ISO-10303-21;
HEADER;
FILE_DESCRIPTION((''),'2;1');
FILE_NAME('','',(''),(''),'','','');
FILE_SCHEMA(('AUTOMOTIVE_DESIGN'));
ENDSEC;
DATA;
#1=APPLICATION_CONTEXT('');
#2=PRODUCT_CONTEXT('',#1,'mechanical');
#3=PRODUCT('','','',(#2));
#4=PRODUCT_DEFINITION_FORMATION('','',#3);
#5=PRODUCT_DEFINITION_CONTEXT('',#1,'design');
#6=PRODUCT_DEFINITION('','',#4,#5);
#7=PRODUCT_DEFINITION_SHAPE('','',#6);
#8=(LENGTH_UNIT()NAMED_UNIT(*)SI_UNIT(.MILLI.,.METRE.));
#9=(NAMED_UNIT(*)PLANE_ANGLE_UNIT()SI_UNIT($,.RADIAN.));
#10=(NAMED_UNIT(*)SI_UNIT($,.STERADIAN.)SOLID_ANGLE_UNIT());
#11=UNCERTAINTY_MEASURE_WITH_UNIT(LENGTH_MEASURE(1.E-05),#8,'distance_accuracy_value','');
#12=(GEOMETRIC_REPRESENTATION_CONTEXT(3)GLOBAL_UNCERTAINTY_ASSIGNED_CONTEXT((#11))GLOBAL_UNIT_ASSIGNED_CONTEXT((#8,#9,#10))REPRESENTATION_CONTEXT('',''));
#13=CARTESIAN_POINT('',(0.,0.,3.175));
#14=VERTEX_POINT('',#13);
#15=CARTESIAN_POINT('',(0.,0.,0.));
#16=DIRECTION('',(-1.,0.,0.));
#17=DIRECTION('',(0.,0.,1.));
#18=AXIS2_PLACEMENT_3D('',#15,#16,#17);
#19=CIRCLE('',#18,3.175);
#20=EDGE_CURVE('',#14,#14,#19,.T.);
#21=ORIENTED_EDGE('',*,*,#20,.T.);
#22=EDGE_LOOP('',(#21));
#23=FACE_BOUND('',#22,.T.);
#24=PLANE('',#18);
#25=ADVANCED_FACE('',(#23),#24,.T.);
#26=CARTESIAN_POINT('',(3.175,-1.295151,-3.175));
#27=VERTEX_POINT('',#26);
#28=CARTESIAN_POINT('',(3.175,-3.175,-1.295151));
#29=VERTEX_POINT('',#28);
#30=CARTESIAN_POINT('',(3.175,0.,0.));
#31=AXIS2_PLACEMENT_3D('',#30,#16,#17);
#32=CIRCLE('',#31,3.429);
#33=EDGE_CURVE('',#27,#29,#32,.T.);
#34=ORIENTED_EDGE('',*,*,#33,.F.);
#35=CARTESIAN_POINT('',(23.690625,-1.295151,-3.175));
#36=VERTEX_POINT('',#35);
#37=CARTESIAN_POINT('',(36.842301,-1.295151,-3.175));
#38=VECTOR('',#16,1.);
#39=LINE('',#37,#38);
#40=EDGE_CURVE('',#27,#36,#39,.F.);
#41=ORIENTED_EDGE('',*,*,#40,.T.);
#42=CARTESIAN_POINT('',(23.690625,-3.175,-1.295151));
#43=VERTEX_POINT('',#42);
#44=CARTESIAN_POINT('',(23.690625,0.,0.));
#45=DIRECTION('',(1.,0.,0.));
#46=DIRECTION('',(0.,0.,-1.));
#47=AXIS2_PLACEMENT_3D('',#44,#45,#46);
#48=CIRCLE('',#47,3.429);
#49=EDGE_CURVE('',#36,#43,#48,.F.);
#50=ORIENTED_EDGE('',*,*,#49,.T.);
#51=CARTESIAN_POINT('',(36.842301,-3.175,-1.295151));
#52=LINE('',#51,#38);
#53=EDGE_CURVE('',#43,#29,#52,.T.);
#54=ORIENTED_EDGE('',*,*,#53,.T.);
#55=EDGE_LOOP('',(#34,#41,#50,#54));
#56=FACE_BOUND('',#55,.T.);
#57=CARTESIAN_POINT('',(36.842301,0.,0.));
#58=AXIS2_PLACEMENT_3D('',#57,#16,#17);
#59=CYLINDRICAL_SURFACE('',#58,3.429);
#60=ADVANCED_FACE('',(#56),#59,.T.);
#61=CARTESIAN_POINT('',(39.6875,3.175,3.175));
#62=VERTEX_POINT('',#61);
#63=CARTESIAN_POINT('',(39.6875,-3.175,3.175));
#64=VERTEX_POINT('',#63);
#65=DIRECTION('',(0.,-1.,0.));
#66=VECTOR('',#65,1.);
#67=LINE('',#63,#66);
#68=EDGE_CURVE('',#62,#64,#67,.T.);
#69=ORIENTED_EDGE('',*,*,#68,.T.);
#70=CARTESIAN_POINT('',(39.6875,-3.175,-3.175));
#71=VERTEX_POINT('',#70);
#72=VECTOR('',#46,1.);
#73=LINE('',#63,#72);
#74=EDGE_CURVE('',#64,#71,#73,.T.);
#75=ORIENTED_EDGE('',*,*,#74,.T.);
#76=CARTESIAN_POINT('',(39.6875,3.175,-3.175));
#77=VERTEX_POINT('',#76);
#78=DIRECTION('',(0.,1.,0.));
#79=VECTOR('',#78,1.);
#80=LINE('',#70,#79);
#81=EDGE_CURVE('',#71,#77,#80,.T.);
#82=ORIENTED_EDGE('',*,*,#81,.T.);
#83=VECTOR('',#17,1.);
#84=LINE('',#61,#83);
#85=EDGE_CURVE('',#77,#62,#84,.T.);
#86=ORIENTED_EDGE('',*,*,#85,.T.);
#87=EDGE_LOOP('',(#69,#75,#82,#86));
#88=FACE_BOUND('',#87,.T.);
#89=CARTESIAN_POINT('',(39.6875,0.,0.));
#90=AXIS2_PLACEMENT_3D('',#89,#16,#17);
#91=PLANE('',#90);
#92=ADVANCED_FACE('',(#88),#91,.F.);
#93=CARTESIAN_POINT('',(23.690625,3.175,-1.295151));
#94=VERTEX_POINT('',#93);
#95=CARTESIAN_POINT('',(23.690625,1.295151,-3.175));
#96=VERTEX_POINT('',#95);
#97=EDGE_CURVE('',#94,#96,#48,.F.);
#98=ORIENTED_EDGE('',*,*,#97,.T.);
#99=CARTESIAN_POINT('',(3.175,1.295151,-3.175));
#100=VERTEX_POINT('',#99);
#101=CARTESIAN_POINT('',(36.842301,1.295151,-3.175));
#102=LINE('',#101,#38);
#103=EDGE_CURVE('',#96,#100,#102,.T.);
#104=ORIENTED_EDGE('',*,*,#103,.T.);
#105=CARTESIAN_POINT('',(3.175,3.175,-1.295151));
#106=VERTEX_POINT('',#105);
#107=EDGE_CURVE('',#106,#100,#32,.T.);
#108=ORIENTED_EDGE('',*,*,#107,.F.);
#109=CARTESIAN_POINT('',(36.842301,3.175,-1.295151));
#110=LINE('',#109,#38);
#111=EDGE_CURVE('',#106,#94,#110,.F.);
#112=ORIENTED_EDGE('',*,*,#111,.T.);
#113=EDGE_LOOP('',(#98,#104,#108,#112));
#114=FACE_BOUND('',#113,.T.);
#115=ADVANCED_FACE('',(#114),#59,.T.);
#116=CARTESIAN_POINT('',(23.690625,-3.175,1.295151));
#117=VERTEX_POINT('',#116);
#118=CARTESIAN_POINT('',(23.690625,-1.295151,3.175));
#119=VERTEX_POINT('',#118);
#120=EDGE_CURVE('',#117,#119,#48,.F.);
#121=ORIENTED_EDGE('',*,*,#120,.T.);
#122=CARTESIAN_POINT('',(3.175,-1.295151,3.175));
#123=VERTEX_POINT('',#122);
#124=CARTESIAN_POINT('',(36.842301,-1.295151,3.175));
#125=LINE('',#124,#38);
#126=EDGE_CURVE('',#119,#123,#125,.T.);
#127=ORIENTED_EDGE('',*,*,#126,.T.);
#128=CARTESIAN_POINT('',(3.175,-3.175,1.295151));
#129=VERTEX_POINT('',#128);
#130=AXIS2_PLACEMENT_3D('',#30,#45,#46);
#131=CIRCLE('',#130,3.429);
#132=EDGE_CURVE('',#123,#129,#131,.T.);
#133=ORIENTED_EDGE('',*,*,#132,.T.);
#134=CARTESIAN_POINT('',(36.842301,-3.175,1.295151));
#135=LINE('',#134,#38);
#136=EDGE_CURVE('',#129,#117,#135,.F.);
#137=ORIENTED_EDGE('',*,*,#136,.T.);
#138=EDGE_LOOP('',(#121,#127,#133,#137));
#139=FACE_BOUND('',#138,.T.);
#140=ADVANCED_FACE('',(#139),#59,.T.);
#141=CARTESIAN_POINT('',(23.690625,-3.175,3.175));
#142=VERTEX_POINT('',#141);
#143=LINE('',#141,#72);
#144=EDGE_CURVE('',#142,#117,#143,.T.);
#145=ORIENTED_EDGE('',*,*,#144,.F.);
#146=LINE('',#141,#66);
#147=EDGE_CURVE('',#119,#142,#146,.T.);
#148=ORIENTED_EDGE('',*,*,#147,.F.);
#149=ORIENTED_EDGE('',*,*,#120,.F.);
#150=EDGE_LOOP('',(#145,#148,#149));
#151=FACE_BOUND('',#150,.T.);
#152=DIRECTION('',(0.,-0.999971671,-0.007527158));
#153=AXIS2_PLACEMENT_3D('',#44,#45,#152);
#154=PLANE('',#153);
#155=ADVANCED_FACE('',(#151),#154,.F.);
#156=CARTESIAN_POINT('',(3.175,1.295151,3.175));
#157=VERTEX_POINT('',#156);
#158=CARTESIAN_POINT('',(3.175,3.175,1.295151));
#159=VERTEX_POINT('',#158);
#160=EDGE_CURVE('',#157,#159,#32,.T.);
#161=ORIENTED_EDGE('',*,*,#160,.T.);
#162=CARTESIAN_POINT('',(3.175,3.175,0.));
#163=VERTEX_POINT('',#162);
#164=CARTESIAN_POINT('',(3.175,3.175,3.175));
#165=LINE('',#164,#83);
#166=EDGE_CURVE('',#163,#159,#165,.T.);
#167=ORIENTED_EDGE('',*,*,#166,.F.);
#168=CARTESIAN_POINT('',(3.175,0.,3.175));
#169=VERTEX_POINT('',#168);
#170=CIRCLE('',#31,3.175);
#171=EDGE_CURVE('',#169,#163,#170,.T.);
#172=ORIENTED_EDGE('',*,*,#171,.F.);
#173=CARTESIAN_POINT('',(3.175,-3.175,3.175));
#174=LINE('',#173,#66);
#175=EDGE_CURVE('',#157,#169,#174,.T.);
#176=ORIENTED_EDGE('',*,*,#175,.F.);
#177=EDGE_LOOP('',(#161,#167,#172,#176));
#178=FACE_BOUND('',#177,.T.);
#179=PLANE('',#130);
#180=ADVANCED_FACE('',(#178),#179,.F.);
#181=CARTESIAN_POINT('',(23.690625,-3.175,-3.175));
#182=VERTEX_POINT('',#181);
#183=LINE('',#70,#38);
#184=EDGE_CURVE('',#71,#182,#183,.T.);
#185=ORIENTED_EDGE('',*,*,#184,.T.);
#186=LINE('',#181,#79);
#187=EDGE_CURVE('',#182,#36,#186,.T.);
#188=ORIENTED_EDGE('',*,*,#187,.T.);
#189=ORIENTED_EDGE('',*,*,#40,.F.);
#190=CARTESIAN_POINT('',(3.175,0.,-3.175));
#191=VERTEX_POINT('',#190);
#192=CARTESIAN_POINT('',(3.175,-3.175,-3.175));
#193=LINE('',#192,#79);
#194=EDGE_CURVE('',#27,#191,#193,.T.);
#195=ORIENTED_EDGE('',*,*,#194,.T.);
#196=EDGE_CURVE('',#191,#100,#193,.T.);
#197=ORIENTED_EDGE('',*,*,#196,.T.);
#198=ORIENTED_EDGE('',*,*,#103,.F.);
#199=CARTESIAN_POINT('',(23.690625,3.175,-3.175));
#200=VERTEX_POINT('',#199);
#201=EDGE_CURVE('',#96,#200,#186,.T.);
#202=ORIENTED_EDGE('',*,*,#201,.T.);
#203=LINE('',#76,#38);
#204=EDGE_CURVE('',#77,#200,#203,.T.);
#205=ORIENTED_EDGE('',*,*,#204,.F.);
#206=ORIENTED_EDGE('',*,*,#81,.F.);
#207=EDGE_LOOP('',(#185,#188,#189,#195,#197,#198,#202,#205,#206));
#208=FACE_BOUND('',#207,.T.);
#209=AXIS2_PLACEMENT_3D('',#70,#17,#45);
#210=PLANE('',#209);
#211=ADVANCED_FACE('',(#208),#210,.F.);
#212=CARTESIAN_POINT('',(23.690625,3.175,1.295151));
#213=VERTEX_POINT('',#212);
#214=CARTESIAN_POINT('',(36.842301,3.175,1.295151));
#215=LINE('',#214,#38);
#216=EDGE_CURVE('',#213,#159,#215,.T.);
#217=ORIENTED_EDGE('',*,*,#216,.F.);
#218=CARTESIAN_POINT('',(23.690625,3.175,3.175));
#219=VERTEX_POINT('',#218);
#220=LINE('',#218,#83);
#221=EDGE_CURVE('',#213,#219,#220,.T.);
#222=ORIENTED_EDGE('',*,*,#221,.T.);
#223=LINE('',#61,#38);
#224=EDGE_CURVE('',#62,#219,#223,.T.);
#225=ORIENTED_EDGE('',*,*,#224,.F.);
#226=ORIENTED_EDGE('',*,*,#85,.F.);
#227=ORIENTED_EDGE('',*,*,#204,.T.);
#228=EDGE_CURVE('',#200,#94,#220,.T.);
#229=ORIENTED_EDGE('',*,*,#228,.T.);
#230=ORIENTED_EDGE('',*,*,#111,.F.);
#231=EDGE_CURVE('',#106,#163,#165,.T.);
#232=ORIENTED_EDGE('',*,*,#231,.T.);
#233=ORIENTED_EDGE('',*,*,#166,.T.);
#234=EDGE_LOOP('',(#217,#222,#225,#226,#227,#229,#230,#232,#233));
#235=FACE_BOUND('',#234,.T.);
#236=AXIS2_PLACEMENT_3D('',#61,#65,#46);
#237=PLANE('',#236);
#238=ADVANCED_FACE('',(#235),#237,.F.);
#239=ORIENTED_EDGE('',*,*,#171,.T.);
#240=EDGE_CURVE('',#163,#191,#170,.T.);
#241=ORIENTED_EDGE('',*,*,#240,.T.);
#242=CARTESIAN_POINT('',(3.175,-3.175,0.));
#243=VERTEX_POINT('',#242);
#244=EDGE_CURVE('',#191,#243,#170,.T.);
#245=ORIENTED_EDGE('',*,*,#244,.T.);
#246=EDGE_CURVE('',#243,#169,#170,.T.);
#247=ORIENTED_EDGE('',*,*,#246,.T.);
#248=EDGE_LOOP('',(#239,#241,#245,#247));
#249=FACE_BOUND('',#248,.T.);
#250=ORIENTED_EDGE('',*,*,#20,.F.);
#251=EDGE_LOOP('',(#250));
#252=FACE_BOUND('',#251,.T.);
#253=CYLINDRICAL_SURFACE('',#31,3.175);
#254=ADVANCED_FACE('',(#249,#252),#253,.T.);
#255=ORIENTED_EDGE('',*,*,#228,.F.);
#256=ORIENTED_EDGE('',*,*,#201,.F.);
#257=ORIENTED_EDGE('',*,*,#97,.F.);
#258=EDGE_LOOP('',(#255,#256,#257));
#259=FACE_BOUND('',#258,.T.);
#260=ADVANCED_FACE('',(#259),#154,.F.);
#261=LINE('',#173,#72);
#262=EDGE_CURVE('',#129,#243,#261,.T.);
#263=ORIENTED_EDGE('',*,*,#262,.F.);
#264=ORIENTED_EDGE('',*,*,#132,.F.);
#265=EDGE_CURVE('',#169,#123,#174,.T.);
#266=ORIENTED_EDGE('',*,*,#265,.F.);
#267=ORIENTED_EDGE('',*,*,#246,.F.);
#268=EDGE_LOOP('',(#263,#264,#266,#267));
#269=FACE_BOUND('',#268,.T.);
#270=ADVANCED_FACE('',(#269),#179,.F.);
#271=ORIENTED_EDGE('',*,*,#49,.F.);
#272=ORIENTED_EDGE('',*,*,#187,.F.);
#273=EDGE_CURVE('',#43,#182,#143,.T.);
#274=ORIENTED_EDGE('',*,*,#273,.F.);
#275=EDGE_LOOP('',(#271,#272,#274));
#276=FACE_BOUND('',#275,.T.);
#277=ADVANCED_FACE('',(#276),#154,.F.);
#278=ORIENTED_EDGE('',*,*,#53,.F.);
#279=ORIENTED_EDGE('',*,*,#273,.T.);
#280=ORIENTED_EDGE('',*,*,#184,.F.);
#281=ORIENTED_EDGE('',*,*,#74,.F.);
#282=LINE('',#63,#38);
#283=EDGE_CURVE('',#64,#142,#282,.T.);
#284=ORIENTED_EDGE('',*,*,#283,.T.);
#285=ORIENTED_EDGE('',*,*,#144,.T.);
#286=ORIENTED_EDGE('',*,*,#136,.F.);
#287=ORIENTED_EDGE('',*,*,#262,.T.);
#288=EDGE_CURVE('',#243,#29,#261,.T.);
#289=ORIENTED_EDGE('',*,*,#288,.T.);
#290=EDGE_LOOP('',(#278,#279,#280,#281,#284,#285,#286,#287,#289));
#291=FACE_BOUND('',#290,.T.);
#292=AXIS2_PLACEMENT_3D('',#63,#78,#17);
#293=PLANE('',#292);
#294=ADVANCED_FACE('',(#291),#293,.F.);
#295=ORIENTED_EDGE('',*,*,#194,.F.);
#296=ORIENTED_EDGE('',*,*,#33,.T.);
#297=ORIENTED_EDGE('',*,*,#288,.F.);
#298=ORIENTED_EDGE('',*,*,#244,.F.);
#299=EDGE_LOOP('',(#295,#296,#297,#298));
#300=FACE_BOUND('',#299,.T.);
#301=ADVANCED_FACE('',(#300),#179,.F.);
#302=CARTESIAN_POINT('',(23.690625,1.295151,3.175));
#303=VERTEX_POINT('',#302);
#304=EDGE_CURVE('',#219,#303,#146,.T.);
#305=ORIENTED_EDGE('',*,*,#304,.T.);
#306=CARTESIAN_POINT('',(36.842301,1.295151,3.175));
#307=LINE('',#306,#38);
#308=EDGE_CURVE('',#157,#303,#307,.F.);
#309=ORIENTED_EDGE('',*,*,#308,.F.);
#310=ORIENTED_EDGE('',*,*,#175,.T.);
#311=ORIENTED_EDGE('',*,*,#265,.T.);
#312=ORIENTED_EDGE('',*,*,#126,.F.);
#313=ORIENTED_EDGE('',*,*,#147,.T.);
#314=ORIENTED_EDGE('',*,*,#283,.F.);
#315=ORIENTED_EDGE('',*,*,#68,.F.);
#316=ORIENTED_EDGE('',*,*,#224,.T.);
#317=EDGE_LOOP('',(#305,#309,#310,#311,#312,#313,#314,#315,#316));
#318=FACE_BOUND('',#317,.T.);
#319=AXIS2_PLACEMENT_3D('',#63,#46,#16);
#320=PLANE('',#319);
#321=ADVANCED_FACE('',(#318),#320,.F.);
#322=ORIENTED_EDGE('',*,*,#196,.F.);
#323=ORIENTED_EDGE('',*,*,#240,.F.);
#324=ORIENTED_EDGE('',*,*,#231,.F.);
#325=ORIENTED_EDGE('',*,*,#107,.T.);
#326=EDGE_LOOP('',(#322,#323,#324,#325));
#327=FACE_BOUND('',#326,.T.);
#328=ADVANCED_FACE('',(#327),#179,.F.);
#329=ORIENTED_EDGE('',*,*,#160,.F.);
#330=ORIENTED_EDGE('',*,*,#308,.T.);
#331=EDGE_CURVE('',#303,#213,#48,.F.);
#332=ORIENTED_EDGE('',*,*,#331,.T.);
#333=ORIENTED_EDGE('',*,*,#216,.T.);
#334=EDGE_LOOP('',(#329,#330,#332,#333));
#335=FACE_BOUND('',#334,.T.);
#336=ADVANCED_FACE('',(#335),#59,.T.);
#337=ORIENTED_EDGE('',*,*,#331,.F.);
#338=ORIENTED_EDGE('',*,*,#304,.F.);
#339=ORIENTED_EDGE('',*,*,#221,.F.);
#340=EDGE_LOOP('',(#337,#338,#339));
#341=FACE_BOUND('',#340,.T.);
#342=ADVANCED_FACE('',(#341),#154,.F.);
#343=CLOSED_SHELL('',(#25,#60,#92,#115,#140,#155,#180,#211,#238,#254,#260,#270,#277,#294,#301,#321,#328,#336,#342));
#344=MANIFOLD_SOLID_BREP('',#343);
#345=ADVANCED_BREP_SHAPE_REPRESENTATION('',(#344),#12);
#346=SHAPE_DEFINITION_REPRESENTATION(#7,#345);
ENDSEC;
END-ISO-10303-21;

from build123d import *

# Parameters (mm, degrees)
SKETCH1_W           = 6.35
SKETCH1_H           = 6.35
BOSS_EXTRUDE1_DEPTH = 39.6875
SKETCH4_W           = 11.064537346
SKETCH4_H           = 8.106256658
SKETCH4_R           = 3.175
CUT_EXTRUDE3_DEPTH  = 3.175
CUT_EXTRUDE4_START  = -20.515625
SKETCH5_W           = 9.216364604
SKETCH5_H           = 9.38217528
SKETCH5_R           = 3.429
CUT_EXTRUDE4_DEPTH  = 20.515625


with BuildPart() as part:
    # Sketch1 → Boss-Extrude1 (new body)
    with BuildSketch(Plane(origin=(0, 0, 0), x_dir=(0, 0, -1), z_dir=(1, 0, 0))):
        Rectangle(SKETCH1_W, SKETCH1_H)
    extrude(amount=BOSS_EXTRUDE1_DEPTH)

    # Sketch4 → Cut-Extrude3 (cut)
    with BuildSketch(Plane.ZY):
        Rectangle(SKETCH4_W, SKETCH4_H)
        Circle(SKETCH4_R, mode=Mode.SUBTRACT)
    extrude(amount=-CUT_EXTRUDE3_DEPTH, mode=Mode.SUBTRACT)

    # Sketch5 → Cut-Extrude4 (cut)
    with BuildSketch(Plane.ZY.offset(-3.175).offset(CUT_EXTRUDE4_START)):
        Rectangle(SKETCH5_W, SKETCH5_H)
        Circle(SKETCH5_R, mode=Mode.SUBTRACT)
    extrude(amount=CUT_EXTRUDE4_DEPTH, mode=Mode.SUBTRACT)


solid = part.part
